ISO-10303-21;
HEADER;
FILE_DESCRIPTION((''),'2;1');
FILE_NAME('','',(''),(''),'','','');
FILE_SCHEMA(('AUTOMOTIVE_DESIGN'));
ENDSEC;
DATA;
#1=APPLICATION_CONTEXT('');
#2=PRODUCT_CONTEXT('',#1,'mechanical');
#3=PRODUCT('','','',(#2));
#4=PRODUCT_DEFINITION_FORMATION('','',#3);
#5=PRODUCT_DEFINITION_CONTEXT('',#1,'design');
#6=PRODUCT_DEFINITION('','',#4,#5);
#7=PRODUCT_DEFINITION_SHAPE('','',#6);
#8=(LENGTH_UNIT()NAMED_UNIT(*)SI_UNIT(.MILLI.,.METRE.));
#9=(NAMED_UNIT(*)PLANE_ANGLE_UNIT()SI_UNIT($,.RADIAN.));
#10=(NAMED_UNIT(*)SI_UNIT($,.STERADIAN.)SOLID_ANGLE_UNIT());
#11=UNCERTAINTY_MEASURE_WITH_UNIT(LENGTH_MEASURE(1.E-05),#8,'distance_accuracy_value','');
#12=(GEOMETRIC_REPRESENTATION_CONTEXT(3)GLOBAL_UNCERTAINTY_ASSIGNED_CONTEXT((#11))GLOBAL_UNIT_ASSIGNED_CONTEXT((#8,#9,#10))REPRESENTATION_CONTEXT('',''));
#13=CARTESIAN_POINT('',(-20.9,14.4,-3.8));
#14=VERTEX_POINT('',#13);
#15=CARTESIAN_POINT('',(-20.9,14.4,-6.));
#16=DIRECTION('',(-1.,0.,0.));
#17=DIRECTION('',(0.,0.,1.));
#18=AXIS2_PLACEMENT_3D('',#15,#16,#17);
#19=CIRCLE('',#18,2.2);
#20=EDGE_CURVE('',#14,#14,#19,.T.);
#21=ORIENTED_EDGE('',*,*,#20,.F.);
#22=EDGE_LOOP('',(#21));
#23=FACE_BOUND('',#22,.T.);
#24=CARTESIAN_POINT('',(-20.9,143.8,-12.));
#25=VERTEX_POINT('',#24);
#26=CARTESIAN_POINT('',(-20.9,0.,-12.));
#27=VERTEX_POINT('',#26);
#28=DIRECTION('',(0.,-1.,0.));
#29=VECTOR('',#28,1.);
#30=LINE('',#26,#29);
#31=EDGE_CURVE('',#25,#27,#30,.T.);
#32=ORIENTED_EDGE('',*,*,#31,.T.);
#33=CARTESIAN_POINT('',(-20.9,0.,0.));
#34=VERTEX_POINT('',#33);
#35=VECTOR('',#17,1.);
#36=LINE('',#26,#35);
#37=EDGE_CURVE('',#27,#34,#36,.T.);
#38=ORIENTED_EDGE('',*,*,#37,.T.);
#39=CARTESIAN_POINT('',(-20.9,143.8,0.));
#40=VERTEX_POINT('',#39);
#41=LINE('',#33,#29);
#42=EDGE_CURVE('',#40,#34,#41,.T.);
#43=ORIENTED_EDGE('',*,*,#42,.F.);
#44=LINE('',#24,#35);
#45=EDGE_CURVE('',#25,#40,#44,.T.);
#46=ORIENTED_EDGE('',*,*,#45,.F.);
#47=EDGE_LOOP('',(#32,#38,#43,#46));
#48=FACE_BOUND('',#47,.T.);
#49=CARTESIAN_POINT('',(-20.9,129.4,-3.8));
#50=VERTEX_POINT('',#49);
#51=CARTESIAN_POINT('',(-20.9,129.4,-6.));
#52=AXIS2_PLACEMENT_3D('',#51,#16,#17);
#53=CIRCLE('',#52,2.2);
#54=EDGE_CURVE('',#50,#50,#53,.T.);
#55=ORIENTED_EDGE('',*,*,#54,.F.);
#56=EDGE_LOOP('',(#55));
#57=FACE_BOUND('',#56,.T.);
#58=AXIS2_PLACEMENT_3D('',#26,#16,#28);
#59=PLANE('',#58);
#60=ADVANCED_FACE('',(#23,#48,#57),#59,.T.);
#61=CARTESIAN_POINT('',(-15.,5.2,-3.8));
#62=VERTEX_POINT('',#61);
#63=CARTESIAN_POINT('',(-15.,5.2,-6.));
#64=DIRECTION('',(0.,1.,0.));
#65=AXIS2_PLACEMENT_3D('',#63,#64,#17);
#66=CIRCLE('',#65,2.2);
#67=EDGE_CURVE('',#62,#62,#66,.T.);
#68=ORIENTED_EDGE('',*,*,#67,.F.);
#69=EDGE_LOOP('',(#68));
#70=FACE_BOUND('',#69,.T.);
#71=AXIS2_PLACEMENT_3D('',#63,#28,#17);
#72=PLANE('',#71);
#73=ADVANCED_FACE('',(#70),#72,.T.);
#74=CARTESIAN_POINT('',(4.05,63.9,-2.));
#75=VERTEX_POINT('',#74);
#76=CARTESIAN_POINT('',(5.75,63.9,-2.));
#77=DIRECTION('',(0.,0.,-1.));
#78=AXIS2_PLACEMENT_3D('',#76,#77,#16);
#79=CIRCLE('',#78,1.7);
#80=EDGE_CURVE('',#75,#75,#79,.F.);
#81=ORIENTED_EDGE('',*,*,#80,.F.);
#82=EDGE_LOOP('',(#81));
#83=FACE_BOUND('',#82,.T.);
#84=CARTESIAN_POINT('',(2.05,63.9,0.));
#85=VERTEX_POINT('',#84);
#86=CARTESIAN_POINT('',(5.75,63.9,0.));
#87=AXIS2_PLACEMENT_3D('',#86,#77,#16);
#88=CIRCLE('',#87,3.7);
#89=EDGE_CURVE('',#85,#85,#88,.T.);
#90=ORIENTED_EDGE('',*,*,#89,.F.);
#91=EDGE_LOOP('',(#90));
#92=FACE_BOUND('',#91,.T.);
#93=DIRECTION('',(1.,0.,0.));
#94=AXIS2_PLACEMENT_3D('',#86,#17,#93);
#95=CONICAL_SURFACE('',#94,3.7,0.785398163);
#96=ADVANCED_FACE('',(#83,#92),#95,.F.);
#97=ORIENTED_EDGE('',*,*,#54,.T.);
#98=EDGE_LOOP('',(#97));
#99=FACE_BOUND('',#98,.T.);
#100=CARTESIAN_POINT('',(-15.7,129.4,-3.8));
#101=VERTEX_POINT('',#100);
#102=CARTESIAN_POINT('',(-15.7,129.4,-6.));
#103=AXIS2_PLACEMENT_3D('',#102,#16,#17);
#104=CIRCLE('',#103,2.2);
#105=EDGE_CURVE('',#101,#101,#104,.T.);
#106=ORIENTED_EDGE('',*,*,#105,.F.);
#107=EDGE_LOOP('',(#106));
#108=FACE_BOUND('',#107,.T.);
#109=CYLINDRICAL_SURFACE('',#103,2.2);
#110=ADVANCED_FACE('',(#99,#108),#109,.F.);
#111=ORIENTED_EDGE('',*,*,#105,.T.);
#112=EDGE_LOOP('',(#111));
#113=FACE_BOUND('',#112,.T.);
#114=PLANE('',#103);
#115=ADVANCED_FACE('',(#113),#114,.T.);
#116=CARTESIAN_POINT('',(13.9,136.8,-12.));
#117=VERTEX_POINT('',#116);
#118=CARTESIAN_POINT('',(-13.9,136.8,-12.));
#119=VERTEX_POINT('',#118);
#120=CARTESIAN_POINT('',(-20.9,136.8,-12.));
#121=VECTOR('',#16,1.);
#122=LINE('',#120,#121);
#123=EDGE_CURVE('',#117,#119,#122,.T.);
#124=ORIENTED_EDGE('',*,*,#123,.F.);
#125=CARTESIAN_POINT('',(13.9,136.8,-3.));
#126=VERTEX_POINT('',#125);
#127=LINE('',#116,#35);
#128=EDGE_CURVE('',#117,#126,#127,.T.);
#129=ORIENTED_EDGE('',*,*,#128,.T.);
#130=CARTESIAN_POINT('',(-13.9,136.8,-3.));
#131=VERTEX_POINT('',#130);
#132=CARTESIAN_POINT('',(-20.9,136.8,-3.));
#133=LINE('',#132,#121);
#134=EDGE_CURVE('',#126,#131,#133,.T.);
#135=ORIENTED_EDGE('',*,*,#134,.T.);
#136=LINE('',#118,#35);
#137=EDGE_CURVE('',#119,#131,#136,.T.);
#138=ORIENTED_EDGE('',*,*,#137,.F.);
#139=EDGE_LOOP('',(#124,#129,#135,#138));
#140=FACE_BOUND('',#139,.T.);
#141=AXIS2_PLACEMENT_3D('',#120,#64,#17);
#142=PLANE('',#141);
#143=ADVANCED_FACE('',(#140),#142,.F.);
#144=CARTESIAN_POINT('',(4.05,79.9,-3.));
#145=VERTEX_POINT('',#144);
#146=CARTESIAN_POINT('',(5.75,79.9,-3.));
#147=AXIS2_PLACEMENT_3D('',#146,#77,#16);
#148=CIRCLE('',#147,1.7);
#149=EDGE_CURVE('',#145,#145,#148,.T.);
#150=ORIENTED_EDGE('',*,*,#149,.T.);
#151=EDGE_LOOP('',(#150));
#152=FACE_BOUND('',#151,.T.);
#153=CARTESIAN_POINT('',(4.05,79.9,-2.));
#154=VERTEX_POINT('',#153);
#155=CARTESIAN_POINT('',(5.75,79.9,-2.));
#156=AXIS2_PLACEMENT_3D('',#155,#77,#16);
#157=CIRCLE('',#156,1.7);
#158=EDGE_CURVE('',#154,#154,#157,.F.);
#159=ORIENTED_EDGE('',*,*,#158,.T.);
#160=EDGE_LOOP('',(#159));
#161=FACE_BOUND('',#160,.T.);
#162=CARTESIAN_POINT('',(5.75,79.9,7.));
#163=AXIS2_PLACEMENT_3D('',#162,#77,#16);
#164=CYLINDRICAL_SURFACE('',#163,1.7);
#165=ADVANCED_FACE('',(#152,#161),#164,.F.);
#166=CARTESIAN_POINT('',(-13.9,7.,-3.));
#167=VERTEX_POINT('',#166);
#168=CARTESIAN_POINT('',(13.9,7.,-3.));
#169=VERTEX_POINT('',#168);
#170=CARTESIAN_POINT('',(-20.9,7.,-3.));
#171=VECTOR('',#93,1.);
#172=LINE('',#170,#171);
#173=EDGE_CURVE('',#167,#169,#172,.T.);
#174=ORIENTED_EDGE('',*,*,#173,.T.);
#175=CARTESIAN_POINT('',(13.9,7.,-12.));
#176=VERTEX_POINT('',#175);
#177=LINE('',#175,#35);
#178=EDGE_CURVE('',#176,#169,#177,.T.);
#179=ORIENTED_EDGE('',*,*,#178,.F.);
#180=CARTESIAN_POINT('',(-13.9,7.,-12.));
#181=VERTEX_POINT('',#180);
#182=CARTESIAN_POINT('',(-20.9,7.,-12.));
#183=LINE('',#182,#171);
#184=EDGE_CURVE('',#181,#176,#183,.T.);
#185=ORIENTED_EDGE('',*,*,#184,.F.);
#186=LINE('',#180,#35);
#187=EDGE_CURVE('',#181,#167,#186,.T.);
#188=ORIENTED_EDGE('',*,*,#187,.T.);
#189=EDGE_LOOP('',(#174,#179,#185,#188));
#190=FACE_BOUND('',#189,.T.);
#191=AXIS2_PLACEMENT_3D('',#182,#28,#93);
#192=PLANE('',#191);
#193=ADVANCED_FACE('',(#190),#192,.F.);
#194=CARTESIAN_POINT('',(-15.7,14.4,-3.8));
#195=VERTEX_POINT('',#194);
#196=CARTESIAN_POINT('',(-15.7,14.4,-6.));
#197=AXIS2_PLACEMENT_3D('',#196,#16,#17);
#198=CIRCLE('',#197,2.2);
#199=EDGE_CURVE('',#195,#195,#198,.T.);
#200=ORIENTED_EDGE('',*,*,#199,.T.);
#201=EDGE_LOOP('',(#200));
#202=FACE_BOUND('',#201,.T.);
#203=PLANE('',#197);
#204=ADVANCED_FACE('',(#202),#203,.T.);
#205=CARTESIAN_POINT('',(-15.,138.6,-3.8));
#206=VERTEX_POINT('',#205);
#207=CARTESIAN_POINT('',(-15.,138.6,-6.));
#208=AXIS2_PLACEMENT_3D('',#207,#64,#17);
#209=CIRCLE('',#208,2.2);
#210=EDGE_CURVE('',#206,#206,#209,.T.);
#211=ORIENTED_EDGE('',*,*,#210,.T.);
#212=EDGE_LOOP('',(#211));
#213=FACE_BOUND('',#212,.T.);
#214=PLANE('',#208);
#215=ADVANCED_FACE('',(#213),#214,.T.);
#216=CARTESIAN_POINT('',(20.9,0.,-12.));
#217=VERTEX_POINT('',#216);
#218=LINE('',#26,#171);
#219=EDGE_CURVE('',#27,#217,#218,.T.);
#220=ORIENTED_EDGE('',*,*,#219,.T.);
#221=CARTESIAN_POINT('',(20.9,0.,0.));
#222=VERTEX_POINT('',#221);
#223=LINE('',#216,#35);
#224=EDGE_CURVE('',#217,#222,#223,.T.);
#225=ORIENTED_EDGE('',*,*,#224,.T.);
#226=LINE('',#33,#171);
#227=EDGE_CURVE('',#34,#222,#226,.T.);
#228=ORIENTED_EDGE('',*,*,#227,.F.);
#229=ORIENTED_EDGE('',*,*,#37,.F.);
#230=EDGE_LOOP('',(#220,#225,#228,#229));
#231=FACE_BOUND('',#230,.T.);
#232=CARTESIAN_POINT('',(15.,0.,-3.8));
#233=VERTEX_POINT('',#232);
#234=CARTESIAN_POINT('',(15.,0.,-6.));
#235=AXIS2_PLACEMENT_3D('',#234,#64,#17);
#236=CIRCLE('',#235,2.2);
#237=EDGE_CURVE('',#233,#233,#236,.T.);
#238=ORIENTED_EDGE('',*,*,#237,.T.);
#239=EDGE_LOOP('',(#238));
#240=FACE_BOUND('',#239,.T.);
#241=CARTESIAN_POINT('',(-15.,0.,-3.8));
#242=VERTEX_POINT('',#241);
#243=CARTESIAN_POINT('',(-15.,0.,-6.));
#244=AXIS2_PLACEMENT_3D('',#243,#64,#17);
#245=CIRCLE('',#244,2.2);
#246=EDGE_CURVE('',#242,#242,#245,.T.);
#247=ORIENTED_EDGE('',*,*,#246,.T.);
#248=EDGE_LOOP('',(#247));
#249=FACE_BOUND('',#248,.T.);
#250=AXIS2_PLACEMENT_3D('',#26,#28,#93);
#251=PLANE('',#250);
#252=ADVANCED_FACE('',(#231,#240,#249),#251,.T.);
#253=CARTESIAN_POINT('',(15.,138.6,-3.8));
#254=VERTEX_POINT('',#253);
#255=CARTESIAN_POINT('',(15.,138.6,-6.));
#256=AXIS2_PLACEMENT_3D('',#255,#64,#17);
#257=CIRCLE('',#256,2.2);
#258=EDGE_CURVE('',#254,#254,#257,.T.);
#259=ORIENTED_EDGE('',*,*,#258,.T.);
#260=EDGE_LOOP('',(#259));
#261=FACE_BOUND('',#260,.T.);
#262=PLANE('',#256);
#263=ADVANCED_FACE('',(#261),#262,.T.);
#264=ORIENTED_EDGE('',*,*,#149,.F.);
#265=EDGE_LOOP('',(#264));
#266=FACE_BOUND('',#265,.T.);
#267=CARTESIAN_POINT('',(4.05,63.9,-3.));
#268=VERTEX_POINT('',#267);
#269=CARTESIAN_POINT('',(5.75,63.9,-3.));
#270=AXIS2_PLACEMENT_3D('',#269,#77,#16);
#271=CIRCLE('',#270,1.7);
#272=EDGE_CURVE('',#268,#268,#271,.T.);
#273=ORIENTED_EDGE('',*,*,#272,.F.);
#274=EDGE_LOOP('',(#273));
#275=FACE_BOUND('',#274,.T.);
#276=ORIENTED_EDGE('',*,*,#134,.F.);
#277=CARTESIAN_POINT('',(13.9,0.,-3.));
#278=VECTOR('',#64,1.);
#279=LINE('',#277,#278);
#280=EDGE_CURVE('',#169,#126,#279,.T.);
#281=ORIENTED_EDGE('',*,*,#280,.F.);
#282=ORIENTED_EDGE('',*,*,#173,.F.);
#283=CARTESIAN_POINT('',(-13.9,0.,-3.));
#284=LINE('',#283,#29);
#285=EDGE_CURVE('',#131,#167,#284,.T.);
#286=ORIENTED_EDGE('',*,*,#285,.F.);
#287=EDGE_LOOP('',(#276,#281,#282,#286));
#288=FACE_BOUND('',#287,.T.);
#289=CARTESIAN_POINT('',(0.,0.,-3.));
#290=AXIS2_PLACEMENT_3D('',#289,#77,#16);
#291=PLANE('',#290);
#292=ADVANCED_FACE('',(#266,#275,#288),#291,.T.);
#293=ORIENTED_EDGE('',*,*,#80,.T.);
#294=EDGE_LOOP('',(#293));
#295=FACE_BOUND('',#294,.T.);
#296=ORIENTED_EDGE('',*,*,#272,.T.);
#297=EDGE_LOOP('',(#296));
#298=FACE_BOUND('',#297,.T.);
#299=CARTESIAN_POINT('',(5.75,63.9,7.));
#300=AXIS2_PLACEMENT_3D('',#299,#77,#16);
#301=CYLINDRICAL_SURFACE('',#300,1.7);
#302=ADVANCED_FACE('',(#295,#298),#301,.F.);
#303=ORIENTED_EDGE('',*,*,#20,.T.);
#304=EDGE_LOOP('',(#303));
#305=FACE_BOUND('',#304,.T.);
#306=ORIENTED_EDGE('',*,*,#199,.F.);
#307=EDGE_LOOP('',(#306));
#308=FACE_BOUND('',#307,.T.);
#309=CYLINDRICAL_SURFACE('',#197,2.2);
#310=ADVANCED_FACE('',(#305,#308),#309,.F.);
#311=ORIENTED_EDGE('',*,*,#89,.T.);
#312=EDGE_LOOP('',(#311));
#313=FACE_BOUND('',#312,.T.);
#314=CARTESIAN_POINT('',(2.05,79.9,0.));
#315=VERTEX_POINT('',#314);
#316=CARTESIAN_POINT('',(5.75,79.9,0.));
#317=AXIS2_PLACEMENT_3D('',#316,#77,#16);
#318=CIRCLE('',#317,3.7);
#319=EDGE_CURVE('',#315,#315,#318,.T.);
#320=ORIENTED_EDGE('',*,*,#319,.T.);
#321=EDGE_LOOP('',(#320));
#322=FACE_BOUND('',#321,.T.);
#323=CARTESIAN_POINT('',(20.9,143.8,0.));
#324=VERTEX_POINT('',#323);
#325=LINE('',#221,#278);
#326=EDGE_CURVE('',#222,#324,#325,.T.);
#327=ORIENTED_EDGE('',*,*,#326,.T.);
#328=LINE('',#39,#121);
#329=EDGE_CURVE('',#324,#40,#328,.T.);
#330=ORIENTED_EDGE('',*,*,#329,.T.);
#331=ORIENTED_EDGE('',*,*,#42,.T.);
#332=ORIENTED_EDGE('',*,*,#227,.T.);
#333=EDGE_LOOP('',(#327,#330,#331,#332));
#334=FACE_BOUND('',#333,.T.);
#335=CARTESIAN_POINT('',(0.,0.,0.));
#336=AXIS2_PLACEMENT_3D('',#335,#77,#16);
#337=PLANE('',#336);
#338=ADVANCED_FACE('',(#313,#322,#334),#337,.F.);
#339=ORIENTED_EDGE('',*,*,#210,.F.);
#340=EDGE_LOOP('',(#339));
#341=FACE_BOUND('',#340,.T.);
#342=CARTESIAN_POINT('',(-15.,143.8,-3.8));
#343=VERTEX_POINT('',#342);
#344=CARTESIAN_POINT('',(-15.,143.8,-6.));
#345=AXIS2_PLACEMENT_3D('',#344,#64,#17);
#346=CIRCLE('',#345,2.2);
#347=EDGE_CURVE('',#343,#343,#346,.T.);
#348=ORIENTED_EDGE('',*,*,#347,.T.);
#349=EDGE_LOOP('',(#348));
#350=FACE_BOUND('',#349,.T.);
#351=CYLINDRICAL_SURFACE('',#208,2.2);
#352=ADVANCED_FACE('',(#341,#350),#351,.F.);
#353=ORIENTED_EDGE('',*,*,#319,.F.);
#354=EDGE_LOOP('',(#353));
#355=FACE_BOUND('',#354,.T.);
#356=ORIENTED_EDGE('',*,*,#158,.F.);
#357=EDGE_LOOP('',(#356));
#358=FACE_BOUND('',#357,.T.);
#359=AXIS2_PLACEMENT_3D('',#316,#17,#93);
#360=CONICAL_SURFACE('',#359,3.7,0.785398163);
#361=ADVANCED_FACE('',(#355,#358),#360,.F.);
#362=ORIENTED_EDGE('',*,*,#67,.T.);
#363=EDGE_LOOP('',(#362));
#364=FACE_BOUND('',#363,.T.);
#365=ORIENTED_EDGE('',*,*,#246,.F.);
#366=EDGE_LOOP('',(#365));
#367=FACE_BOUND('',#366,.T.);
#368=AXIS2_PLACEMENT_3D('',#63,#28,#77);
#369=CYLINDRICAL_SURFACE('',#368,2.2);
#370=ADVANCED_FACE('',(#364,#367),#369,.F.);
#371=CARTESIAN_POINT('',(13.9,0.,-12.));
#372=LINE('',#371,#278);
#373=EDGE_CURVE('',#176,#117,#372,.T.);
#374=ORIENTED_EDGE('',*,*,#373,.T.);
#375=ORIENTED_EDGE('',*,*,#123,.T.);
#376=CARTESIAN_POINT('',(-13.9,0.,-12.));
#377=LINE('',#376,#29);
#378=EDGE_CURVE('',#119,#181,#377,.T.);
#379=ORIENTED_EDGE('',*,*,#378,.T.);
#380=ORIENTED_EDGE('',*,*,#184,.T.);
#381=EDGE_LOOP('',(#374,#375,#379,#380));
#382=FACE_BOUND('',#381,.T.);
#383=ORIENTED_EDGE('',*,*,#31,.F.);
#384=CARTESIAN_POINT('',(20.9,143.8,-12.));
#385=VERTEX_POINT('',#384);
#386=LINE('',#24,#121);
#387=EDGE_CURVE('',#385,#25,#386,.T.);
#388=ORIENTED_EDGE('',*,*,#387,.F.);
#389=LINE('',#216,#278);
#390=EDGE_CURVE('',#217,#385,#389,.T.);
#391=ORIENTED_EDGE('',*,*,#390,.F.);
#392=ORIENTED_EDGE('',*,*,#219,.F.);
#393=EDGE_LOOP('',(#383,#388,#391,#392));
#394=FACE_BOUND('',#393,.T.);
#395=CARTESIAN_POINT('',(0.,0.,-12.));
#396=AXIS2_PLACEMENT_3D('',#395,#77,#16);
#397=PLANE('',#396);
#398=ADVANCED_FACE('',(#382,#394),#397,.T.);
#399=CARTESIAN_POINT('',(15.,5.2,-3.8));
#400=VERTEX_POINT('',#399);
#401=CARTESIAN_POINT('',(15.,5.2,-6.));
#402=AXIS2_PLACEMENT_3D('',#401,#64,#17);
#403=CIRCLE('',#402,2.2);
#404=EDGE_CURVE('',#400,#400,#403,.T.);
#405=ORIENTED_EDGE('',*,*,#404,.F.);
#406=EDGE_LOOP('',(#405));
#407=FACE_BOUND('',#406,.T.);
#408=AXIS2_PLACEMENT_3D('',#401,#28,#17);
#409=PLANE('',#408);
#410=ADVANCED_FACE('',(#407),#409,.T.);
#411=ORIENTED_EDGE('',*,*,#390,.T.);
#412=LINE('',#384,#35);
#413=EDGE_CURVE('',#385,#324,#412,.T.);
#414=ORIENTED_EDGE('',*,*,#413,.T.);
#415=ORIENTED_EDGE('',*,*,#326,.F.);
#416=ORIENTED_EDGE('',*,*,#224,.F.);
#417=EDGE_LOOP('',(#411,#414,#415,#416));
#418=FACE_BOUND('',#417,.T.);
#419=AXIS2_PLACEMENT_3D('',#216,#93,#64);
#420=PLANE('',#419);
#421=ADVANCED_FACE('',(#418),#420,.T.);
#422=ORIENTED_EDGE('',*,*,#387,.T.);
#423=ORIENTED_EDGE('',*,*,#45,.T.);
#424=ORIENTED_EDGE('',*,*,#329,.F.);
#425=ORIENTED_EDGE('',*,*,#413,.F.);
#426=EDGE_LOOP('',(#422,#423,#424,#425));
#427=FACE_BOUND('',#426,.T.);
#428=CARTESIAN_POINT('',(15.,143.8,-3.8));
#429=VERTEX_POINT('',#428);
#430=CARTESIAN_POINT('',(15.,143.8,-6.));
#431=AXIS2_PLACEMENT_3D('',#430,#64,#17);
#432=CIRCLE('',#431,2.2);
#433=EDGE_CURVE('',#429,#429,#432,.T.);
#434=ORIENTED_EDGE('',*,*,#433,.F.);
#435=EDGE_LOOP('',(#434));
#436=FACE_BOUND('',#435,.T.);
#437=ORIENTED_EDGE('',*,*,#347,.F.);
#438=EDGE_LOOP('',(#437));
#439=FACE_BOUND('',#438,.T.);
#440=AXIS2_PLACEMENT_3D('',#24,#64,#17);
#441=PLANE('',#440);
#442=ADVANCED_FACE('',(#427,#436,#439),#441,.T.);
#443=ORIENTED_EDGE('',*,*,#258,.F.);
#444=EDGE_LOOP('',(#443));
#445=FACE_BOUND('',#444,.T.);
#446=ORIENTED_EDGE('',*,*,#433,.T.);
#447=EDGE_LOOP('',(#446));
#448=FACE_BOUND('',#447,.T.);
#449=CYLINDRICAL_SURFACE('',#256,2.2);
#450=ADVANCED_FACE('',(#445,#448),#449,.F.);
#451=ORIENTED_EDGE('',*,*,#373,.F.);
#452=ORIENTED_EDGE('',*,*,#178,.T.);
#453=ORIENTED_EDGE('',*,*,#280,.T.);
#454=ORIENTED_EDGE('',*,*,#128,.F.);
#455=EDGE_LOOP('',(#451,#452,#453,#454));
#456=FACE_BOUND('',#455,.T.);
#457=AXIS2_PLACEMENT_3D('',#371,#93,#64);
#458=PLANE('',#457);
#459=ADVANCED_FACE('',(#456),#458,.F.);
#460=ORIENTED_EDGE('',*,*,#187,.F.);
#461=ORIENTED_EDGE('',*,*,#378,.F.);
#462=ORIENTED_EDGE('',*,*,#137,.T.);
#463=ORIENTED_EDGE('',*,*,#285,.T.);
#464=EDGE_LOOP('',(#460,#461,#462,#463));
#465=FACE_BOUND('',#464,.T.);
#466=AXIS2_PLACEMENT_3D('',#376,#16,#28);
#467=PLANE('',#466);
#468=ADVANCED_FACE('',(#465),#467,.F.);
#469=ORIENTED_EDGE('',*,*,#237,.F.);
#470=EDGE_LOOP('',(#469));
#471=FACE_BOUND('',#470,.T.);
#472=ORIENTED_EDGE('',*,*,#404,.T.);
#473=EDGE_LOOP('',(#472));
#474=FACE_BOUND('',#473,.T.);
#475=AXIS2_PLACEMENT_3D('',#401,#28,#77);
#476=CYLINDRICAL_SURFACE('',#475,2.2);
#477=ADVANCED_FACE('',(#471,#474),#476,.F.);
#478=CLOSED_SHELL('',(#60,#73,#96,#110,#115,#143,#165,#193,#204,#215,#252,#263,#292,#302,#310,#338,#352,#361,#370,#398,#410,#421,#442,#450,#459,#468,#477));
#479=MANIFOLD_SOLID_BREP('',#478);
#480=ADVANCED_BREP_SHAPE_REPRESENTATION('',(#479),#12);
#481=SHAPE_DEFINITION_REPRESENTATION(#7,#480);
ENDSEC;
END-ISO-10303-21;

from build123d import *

# Parameters (mm, degrees)
SKETCH1_W                 = 41.8
SKETCH1_H                 = 143.8
BOSS_EXTRUDE1_DEPTH       = 12
SHELL1_T                  = -7
SHELL1_THICKNESS_2_FACE_W = 27.8
SHELL1_THICKNESS_2_FACE_H = 129.8
SHELL1_THICKNESS_2_DEPTH  = 4
SKETCH2_R                 = 2.2
CUT_EXTRUDE1_DEPTH        = 5.2
SKETCH3_R                 = 2.2
CUT_EXTRUDE2_DEPTH        = 5.2
SKETCH5_R                 = 1.7
CUT_EXTRUDE3_DEPTH        = 10
CHAMFER1_SIZE             = 2


with BuildPart() as part:
    # Sketch1 → Boss-Extrude1 (new body)
    with BuildSketch(Plane.XY):
        with Locations((0, 71.9)):
            Rectangle(SKETCH1_W, SKETCH1_H)
    extrude(amount=-BOSS_EXTRUDE1_DEPTH)

    # Shell1
    shell1_openings = [part.faces().sort_by_distance(p)[0] for p in [
        (0, 71.9, -12),
    ]]
    offset(amount=SHELL1_T, openings=shell1_openings, kind=Kind.INTERSECTION)

    # Shell1 thickness 2 face (on inner face of the shell) → Shell1 thickness 2 (cut)
    with BuildSketch(Plane(origin=(0, 71.9, -7), x_dir=(1, 0, 0), z_dir=(0, 0, 1))):
        Rectangle(SHELL1_THICKNESS_2_FACE_W, SHELL1_THICKNESS_2_FACE_H)
    extrude(amount=SHELL1_THICKNESS_2_DEPTH, mode=Mode.SUBTRACT)

    # Sketch2 → Cut-Extrude1 (cut)
    with BuildSketch(Plane(origin=(0, 143.8, 0), x_dir=(1, 0, 0), z_dir=(0, 1, 0))):
        with Locations(Location((-15, 6, 0), (0, 0, 270))):
            Circle(SKETCH2_R)
        with Locations(Location((15, 6, 0), (0, 0, 270))):
            Circle(SKETCH2_R)
    cut_extrude1 = extrude(amount=-CUT_EXTRUDE1_DEPTH, mode=Mode.SUBTRACT)

    # Mirror1: Cut-Extrude1 across plane
    add(cut_extrude1.mirror(Plane.ZX.offset(71.9)), mode=Mode.SUBTRACT)

    # Sketch3 → Cut-Extrude2 (cut)
    with BuildSketch(Plane.ZY.offset(20.9)):
        with Locations((-6, 129.4)):
            Circle(SKETCH3_R)
        with Locations((-6, 14.4)):
            Circle(SKETCH3_R)
    extrude(amount=-CUT_EXTRUDE2_DEPTH, mode=Mode.SUBTRACT)

    # Sketch5 → Cut-Extrude3 (cut)
    with BuildSketch(Plane(origin=(0, 0, -3), x_dir=(-1, 0, 0), z_dir=(0, 0, -1))):
        with Locations((-5.75, 63.9)):
            Circle(SKETCH5_R)
        with Locations((-5.75, 79.9)):
            Circle(SKETCH5_R)
    extrude(amount=-CUT_EXTRUDE3_DEPTH, mode=Mode.SUBTRACT)

    # Chamfer1
    chamfer1_edges = [part.edges().sort_by_distance(p)[0] for p in [
        (7.45, 63.9, 0),
        (7.45, 79.9, 0),
    ]]
    chamfer(chamfer1_edges, length=CHAMFER1_SIZE)


solid = part.part
